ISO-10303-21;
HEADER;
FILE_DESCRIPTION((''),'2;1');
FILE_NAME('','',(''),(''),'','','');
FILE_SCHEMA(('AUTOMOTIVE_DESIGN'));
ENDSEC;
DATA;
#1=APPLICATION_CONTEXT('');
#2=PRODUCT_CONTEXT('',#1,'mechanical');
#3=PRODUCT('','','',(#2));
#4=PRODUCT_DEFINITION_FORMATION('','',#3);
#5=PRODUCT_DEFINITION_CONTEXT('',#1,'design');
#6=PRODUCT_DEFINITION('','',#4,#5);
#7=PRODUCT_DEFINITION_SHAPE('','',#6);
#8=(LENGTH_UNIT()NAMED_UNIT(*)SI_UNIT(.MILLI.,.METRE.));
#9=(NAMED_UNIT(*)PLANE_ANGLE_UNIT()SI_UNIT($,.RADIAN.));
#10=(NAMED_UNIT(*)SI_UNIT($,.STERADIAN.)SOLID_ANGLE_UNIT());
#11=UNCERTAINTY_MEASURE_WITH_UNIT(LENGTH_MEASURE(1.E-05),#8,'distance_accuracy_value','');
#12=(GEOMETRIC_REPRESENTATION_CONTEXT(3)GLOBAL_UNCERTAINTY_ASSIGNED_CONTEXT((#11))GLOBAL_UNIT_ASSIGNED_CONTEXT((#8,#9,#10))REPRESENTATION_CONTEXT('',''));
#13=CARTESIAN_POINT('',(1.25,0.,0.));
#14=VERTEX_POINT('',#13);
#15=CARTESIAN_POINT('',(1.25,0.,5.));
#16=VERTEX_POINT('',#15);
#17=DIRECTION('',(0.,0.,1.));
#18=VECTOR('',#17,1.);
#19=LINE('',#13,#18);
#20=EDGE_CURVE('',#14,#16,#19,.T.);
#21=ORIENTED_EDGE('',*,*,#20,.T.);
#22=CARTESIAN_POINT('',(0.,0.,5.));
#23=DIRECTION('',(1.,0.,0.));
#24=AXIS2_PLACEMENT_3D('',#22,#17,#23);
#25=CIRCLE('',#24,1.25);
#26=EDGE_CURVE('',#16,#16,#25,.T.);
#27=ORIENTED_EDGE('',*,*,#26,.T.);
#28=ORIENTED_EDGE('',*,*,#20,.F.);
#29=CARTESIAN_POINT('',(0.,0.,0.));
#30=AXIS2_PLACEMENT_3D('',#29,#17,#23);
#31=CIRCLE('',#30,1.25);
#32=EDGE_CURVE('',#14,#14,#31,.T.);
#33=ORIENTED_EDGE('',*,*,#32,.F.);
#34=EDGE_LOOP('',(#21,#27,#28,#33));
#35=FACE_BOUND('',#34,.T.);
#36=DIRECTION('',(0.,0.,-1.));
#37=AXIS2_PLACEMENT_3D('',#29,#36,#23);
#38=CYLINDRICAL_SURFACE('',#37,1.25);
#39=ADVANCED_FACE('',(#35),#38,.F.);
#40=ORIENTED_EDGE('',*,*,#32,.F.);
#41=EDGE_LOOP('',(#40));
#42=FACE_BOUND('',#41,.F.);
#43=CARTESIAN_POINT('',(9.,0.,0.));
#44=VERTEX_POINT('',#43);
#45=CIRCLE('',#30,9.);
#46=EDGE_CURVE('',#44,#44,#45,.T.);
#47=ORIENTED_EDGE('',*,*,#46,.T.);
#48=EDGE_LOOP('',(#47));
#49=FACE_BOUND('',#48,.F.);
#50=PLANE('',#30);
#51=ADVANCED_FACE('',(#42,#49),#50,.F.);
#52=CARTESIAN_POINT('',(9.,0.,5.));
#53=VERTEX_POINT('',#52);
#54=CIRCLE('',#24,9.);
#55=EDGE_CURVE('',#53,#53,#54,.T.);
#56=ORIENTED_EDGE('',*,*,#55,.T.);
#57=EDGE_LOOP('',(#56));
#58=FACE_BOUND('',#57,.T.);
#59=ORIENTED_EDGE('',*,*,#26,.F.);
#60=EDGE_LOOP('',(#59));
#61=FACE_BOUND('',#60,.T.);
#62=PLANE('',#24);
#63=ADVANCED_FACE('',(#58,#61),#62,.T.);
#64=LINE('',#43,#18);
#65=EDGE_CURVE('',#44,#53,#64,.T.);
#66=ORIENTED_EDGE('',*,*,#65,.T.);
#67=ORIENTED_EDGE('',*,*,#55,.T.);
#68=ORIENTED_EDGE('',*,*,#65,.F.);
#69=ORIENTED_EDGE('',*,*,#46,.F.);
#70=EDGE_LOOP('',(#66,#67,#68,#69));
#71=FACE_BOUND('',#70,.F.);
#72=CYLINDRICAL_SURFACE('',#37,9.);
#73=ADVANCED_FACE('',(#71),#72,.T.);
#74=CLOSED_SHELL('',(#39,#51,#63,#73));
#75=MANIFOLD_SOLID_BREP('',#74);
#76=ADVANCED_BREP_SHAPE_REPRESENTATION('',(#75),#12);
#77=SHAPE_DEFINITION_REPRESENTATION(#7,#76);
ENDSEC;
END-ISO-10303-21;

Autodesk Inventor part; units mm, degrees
ref_plane "YZ Plane" through (0, 0, 0) normal (1, 0, 0) x (0, 1, 0)
ref_plane "XZ Plane" through (0, 0, 0) normal (0, 1, 0) x (-1, 0, 0)
ref_plane "XY Plane" through (0, 0, 0) normal (0, 0, 1) x (1, 0, 0)
sketch "スケッチ1" plane through (0, 0, 0) normal (0, 0, 1) x (1, 0, 0)
  circle A0 centre (0, 0) radius 9
  circle A1 centre (0, 0) radius 1.25
  dimension "d0" = 18
  dimension "d1" = 2.5
extrude "押し出し1" add sketch "スケッチ1" along normal blind 5
properties part number "RescueKitv2" material "ABS プラスチック"
